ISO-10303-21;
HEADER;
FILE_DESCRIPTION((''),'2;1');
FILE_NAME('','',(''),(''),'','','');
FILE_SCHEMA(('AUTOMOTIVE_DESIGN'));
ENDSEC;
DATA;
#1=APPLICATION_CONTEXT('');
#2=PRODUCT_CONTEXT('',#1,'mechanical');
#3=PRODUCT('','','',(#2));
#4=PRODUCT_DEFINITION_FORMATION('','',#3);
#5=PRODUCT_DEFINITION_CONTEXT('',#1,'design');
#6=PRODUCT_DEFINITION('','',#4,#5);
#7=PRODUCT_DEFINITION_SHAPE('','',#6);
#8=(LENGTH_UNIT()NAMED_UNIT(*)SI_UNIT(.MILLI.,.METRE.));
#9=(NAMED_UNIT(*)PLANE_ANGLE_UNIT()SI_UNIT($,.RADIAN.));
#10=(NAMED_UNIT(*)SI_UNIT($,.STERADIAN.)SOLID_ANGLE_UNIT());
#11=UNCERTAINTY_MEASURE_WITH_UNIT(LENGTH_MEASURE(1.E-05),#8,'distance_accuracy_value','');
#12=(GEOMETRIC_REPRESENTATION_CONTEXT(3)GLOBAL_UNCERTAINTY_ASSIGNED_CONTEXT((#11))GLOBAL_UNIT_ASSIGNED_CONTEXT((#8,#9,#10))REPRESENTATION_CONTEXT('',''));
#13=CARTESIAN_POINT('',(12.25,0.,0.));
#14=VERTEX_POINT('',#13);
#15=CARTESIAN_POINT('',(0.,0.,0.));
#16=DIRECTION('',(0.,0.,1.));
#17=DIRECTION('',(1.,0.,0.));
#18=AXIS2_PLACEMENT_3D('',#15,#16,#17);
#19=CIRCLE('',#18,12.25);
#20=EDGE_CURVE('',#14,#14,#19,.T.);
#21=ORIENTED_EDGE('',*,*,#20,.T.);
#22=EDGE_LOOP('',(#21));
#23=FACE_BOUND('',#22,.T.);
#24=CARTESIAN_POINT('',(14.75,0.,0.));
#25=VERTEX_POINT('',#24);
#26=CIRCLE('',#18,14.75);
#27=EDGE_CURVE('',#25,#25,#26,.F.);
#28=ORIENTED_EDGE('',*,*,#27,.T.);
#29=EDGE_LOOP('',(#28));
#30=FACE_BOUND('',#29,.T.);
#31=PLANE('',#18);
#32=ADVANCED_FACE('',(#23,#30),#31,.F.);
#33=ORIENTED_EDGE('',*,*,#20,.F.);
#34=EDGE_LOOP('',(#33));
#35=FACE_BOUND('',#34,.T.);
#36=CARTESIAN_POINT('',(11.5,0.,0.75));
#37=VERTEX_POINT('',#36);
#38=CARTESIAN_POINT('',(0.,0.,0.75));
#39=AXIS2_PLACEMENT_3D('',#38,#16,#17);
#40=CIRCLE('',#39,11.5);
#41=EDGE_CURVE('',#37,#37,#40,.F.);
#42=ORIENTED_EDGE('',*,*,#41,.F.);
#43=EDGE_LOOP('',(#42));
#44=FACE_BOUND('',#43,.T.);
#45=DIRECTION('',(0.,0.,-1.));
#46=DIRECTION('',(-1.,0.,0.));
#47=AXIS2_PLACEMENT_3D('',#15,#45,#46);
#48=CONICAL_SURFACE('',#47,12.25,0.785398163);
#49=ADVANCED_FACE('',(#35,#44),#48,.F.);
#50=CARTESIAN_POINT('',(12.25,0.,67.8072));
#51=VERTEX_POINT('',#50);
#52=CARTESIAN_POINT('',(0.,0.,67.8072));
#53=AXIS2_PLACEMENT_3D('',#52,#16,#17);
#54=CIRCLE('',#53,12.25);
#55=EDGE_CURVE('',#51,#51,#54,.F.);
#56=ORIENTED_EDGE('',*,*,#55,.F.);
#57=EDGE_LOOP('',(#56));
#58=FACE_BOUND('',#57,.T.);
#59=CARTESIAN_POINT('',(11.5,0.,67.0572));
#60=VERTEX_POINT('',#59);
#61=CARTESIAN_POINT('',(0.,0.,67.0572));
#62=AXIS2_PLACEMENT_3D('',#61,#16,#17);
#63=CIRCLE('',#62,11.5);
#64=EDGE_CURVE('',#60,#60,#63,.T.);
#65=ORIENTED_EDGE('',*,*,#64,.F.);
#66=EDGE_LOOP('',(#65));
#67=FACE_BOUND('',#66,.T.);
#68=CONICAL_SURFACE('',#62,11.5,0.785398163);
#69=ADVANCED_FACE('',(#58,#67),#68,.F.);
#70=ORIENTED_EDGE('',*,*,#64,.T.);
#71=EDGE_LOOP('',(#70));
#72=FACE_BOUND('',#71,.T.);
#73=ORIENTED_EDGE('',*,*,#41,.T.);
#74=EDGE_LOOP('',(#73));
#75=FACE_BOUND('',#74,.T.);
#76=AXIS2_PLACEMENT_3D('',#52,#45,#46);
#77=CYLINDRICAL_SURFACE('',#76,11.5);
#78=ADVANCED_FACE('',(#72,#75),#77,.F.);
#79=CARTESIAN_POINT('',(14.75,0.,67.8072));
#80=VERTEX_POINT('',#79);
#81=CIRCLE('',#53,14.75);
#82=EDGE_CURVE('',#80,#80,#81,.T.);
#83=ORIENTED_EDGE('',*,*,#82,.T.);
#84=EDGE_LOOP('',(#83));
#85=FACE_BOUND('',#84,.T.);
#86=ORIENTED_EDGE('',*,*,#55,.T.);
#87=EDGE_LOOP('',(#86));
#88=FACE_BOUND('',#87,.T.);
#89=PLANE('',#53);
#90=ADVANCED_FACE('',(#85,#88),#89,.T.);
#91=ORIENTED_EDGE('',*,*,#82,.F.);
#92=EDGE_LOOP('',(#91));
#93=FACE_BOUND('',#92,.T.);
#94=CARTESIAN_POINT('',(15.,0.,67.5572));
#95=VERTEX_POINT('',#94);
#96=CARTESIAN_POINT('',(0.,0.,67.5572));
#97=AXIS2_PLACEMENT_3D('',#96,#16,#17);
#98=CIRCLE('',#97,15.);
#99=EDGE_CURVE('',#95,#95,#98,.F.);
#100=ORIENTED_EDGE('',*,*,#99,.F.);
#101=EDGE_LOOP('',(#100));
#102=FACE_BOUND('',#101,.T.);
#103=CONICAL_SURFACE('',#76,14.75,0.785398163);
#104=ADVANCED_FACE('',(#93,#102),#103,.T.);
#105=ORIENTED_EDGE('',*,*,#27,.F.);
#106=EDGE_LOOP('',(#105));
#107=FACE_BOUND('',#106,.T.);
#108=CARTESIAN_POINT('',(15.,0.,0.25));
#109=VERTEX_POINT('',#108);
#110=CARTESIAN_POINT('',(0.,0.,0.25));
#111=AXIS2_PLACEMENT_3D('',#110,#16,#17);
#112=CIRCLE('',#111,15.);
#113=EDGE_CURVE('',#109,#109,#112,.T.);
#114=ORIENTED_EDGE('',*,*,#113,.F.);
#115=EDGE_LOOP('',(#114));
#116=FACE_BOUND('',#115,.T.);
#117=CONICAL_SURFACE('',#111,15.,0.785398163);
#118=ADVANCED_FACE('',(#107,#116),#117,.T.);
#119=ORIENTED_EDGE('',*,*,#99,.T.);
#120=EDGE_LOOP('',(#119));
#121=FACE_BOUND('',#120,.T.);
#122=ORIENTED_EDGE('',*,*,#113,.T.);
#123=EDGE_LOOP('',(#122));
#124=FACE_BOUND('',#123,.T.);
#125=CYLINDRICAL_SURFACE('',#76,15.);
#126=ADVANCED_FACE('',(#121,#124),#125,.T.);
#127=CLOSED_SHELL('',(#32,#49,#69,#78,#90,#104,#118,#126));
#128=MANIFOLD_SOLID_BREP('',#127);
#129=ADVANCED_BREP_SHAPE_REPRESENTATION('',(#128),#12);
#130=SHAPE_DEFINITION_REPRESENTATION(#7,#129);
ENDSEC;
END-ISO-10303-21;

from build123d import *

# Parameters (mm, degrees)
SKETCH1_R           = 15
SKETCH1_R_2         = 11.5
BOSS_EXTRUDE1_DEPTH = 67.8072
CHAMFER1_SIZE       = 0.25
CHAMFER2_SIZE       = 0.75


with BuildPart() as part:
    # Sketch1 → Boss-Extrude1 (new body)
    with BuildSketch(Plane.XY):
        Circle(SKETCH1_R)
        Circle(SKETCH1_R_2, mode=Mode.SUBTRACT)
    extrude(amount=BOSS_EXTRUDE1_DEPTH)

    # Chamfer1
    chamfer1_edges = [part.edges().sort_by_distance(p)[0] for p in [
        (-15, 0, 0),
        (-15, 0, 67.8072),
    ]]
    chamfer(chamfer1_edges, length=CHAMFER1_SIZE)

    # Chamfer2
    chamfer2_edges = [part.edges().sort_by_distance(p)[0] for p in [
        (-11.5, 0, 0),
        (-11.5, 0, 67.8072),
    ]]
    chamfer(chamfer2_edges, length=CHAMFER2_SIZE)


solid = part.part
